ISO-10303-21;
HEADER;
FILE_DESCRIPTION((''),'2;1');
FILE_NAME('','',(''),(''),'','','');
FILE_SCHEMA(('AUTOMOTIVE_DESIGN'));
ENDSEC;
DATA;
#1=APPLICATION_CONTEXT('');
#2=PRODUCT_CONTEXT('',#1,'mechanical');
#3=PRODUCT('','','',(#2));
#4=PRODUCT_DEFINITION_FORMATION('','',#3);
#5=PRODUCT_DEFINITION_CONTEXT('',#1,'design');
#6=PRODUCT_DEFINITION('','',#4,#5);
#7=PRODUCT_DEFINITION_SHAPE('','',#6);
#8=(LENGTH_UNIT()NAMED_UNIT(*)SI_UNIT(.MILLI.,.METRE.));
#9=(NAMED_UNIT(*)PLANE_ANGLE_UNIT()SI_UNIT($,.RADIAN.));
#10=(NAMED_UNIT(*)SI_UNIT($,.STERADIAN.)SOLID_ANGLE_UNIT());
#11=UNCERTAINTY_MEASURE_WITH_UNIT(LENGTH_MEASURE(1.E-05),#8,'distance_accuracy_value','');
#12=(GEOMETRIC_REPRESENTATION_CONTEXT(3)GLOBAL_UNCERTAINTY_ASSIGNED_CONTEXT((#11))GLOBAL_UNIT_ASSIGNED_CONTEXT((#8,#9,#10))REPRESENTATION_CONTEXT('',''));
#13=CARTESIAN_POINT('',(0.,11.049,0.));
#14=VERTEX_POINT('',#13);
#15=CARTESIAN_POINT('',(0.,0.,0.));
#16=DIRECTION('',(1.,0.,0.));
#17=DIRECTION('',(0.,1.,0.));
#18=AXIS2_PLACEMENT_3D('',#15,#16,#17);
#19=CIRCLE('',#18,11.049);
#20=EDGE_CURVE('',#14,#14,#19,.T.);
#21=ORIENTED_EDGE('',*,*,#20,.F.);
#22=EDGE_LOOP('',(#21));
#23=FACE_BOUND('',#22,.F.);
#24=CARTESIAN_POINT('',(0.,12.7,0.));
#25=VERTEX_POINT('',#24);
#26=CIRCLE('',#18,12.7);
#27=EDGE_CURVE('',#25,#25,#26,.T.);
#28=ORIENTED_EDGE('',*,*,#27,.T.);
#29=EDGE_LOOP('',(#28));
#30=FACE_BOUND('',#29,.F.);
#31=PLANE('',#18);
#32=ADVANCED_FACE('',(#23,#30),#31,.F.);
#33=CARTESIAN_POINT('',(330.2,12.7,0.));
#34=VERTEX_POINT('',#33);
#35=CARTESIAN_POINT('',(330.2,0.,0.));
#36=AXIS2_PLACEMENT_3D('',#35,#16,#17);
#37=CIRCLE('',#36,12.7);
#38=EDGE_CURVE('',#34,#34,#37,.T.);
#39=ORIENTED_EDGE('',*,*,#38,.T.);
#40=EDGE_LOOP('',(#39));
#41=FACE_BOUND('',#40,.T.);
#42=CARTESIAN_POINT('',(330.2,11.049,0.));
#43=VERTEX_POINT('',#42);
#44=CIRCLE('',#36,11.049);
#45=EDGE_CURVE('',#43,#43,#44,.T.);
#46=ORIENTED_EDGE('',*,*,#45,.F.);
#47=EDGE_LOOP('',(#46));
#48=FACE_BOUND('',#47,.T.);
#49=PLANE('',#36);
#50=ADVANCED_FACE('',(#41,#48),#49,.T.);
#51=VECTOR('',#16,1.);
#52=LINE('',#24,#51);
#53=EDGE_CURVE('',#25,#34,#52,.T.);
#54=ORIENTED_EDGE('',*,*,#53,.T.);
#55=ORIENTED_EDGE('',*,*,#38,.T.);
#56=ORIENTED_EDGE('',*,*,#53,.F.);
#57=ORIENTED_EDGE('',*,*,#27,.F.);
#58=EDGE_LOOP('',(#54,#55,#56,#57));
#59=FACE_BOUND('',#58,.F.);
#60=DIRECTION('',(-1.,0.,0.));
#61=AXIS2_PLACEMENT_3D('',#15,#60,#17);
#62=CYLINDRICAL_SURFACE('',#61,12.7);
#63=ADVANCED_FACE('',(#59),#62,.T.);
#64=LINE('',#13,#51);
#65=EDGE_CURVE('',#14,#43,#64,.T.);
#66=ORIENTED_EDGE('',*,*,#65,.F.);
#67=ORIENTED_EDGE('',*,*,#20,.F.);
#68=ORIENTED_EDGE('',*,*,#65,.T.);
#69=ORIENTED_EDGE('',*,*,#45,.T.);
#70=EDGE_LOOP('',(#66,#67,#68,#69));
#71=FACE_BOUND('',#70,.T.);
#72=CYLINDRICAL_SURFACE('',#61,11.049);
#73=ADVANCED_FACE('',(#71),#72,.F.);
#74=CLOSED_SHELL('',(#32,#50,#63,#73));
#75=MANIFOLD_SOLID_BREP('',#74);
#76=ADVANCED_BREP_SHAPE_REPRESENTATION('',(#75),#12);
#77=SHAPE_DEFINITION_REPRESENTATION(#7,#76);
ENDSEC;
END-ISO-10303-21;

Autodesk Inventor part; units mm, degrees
ref_plane "XZ Plane" through (0, 0, 0) normal (0, 1, 0) x (-1, 0, 0)
ref_plane "Start Plane" through (0, 0, 0) normal (1, 0, 0) x (0, 1, 0)
ref_plane "End Plane" through (330.2, 0, 0) normal (1, 0, 0) x (0, 1, 0)
sketch "Sketch" plane through (0, 0, 0) normal (1, 0, 0) x (0, 1, 0)
  circle A0 centre (0, 0) radius 12.7
  circle A1 centre (0, 0) radius 11.049
  dimension "d0" = 25.4
  dimension "d1" = 1.651
extrude "Body" add sketch "Sketch" along normal up to surface (330.2 mm away) from surface at 0
sketch "Sketch2" plane through (0, 0, 0) normal (1, 0, 0) x (0, 1, 0)
  line L0 (0, 0) -> (10, 0)
ref_plane "Work Plane3" through (0, 0, 0) normal (0, 0, -1) x (0, 1, 0)
sketch "Sketch3" plane through (0, 0, 0) normal (0, 0, -1) x (0, 1, 0)
  line L0 (-2, 0) -> (12, 0)
  line L1 (-2, 330.2) -> (12, 330.2)
  dimension "d9" = 330.2
equation "\"G_OFFSET_START\" = 0"
equation "\"G_OFFSET_END\" = 0"
equation "\"d5\" = d2 + G_OFFSET_END"
equation "\"G_L\" = d9"
equation "\"d2\" = 330.2"
properties part number "4130_1x0.065" material "Steel, Alloy"
